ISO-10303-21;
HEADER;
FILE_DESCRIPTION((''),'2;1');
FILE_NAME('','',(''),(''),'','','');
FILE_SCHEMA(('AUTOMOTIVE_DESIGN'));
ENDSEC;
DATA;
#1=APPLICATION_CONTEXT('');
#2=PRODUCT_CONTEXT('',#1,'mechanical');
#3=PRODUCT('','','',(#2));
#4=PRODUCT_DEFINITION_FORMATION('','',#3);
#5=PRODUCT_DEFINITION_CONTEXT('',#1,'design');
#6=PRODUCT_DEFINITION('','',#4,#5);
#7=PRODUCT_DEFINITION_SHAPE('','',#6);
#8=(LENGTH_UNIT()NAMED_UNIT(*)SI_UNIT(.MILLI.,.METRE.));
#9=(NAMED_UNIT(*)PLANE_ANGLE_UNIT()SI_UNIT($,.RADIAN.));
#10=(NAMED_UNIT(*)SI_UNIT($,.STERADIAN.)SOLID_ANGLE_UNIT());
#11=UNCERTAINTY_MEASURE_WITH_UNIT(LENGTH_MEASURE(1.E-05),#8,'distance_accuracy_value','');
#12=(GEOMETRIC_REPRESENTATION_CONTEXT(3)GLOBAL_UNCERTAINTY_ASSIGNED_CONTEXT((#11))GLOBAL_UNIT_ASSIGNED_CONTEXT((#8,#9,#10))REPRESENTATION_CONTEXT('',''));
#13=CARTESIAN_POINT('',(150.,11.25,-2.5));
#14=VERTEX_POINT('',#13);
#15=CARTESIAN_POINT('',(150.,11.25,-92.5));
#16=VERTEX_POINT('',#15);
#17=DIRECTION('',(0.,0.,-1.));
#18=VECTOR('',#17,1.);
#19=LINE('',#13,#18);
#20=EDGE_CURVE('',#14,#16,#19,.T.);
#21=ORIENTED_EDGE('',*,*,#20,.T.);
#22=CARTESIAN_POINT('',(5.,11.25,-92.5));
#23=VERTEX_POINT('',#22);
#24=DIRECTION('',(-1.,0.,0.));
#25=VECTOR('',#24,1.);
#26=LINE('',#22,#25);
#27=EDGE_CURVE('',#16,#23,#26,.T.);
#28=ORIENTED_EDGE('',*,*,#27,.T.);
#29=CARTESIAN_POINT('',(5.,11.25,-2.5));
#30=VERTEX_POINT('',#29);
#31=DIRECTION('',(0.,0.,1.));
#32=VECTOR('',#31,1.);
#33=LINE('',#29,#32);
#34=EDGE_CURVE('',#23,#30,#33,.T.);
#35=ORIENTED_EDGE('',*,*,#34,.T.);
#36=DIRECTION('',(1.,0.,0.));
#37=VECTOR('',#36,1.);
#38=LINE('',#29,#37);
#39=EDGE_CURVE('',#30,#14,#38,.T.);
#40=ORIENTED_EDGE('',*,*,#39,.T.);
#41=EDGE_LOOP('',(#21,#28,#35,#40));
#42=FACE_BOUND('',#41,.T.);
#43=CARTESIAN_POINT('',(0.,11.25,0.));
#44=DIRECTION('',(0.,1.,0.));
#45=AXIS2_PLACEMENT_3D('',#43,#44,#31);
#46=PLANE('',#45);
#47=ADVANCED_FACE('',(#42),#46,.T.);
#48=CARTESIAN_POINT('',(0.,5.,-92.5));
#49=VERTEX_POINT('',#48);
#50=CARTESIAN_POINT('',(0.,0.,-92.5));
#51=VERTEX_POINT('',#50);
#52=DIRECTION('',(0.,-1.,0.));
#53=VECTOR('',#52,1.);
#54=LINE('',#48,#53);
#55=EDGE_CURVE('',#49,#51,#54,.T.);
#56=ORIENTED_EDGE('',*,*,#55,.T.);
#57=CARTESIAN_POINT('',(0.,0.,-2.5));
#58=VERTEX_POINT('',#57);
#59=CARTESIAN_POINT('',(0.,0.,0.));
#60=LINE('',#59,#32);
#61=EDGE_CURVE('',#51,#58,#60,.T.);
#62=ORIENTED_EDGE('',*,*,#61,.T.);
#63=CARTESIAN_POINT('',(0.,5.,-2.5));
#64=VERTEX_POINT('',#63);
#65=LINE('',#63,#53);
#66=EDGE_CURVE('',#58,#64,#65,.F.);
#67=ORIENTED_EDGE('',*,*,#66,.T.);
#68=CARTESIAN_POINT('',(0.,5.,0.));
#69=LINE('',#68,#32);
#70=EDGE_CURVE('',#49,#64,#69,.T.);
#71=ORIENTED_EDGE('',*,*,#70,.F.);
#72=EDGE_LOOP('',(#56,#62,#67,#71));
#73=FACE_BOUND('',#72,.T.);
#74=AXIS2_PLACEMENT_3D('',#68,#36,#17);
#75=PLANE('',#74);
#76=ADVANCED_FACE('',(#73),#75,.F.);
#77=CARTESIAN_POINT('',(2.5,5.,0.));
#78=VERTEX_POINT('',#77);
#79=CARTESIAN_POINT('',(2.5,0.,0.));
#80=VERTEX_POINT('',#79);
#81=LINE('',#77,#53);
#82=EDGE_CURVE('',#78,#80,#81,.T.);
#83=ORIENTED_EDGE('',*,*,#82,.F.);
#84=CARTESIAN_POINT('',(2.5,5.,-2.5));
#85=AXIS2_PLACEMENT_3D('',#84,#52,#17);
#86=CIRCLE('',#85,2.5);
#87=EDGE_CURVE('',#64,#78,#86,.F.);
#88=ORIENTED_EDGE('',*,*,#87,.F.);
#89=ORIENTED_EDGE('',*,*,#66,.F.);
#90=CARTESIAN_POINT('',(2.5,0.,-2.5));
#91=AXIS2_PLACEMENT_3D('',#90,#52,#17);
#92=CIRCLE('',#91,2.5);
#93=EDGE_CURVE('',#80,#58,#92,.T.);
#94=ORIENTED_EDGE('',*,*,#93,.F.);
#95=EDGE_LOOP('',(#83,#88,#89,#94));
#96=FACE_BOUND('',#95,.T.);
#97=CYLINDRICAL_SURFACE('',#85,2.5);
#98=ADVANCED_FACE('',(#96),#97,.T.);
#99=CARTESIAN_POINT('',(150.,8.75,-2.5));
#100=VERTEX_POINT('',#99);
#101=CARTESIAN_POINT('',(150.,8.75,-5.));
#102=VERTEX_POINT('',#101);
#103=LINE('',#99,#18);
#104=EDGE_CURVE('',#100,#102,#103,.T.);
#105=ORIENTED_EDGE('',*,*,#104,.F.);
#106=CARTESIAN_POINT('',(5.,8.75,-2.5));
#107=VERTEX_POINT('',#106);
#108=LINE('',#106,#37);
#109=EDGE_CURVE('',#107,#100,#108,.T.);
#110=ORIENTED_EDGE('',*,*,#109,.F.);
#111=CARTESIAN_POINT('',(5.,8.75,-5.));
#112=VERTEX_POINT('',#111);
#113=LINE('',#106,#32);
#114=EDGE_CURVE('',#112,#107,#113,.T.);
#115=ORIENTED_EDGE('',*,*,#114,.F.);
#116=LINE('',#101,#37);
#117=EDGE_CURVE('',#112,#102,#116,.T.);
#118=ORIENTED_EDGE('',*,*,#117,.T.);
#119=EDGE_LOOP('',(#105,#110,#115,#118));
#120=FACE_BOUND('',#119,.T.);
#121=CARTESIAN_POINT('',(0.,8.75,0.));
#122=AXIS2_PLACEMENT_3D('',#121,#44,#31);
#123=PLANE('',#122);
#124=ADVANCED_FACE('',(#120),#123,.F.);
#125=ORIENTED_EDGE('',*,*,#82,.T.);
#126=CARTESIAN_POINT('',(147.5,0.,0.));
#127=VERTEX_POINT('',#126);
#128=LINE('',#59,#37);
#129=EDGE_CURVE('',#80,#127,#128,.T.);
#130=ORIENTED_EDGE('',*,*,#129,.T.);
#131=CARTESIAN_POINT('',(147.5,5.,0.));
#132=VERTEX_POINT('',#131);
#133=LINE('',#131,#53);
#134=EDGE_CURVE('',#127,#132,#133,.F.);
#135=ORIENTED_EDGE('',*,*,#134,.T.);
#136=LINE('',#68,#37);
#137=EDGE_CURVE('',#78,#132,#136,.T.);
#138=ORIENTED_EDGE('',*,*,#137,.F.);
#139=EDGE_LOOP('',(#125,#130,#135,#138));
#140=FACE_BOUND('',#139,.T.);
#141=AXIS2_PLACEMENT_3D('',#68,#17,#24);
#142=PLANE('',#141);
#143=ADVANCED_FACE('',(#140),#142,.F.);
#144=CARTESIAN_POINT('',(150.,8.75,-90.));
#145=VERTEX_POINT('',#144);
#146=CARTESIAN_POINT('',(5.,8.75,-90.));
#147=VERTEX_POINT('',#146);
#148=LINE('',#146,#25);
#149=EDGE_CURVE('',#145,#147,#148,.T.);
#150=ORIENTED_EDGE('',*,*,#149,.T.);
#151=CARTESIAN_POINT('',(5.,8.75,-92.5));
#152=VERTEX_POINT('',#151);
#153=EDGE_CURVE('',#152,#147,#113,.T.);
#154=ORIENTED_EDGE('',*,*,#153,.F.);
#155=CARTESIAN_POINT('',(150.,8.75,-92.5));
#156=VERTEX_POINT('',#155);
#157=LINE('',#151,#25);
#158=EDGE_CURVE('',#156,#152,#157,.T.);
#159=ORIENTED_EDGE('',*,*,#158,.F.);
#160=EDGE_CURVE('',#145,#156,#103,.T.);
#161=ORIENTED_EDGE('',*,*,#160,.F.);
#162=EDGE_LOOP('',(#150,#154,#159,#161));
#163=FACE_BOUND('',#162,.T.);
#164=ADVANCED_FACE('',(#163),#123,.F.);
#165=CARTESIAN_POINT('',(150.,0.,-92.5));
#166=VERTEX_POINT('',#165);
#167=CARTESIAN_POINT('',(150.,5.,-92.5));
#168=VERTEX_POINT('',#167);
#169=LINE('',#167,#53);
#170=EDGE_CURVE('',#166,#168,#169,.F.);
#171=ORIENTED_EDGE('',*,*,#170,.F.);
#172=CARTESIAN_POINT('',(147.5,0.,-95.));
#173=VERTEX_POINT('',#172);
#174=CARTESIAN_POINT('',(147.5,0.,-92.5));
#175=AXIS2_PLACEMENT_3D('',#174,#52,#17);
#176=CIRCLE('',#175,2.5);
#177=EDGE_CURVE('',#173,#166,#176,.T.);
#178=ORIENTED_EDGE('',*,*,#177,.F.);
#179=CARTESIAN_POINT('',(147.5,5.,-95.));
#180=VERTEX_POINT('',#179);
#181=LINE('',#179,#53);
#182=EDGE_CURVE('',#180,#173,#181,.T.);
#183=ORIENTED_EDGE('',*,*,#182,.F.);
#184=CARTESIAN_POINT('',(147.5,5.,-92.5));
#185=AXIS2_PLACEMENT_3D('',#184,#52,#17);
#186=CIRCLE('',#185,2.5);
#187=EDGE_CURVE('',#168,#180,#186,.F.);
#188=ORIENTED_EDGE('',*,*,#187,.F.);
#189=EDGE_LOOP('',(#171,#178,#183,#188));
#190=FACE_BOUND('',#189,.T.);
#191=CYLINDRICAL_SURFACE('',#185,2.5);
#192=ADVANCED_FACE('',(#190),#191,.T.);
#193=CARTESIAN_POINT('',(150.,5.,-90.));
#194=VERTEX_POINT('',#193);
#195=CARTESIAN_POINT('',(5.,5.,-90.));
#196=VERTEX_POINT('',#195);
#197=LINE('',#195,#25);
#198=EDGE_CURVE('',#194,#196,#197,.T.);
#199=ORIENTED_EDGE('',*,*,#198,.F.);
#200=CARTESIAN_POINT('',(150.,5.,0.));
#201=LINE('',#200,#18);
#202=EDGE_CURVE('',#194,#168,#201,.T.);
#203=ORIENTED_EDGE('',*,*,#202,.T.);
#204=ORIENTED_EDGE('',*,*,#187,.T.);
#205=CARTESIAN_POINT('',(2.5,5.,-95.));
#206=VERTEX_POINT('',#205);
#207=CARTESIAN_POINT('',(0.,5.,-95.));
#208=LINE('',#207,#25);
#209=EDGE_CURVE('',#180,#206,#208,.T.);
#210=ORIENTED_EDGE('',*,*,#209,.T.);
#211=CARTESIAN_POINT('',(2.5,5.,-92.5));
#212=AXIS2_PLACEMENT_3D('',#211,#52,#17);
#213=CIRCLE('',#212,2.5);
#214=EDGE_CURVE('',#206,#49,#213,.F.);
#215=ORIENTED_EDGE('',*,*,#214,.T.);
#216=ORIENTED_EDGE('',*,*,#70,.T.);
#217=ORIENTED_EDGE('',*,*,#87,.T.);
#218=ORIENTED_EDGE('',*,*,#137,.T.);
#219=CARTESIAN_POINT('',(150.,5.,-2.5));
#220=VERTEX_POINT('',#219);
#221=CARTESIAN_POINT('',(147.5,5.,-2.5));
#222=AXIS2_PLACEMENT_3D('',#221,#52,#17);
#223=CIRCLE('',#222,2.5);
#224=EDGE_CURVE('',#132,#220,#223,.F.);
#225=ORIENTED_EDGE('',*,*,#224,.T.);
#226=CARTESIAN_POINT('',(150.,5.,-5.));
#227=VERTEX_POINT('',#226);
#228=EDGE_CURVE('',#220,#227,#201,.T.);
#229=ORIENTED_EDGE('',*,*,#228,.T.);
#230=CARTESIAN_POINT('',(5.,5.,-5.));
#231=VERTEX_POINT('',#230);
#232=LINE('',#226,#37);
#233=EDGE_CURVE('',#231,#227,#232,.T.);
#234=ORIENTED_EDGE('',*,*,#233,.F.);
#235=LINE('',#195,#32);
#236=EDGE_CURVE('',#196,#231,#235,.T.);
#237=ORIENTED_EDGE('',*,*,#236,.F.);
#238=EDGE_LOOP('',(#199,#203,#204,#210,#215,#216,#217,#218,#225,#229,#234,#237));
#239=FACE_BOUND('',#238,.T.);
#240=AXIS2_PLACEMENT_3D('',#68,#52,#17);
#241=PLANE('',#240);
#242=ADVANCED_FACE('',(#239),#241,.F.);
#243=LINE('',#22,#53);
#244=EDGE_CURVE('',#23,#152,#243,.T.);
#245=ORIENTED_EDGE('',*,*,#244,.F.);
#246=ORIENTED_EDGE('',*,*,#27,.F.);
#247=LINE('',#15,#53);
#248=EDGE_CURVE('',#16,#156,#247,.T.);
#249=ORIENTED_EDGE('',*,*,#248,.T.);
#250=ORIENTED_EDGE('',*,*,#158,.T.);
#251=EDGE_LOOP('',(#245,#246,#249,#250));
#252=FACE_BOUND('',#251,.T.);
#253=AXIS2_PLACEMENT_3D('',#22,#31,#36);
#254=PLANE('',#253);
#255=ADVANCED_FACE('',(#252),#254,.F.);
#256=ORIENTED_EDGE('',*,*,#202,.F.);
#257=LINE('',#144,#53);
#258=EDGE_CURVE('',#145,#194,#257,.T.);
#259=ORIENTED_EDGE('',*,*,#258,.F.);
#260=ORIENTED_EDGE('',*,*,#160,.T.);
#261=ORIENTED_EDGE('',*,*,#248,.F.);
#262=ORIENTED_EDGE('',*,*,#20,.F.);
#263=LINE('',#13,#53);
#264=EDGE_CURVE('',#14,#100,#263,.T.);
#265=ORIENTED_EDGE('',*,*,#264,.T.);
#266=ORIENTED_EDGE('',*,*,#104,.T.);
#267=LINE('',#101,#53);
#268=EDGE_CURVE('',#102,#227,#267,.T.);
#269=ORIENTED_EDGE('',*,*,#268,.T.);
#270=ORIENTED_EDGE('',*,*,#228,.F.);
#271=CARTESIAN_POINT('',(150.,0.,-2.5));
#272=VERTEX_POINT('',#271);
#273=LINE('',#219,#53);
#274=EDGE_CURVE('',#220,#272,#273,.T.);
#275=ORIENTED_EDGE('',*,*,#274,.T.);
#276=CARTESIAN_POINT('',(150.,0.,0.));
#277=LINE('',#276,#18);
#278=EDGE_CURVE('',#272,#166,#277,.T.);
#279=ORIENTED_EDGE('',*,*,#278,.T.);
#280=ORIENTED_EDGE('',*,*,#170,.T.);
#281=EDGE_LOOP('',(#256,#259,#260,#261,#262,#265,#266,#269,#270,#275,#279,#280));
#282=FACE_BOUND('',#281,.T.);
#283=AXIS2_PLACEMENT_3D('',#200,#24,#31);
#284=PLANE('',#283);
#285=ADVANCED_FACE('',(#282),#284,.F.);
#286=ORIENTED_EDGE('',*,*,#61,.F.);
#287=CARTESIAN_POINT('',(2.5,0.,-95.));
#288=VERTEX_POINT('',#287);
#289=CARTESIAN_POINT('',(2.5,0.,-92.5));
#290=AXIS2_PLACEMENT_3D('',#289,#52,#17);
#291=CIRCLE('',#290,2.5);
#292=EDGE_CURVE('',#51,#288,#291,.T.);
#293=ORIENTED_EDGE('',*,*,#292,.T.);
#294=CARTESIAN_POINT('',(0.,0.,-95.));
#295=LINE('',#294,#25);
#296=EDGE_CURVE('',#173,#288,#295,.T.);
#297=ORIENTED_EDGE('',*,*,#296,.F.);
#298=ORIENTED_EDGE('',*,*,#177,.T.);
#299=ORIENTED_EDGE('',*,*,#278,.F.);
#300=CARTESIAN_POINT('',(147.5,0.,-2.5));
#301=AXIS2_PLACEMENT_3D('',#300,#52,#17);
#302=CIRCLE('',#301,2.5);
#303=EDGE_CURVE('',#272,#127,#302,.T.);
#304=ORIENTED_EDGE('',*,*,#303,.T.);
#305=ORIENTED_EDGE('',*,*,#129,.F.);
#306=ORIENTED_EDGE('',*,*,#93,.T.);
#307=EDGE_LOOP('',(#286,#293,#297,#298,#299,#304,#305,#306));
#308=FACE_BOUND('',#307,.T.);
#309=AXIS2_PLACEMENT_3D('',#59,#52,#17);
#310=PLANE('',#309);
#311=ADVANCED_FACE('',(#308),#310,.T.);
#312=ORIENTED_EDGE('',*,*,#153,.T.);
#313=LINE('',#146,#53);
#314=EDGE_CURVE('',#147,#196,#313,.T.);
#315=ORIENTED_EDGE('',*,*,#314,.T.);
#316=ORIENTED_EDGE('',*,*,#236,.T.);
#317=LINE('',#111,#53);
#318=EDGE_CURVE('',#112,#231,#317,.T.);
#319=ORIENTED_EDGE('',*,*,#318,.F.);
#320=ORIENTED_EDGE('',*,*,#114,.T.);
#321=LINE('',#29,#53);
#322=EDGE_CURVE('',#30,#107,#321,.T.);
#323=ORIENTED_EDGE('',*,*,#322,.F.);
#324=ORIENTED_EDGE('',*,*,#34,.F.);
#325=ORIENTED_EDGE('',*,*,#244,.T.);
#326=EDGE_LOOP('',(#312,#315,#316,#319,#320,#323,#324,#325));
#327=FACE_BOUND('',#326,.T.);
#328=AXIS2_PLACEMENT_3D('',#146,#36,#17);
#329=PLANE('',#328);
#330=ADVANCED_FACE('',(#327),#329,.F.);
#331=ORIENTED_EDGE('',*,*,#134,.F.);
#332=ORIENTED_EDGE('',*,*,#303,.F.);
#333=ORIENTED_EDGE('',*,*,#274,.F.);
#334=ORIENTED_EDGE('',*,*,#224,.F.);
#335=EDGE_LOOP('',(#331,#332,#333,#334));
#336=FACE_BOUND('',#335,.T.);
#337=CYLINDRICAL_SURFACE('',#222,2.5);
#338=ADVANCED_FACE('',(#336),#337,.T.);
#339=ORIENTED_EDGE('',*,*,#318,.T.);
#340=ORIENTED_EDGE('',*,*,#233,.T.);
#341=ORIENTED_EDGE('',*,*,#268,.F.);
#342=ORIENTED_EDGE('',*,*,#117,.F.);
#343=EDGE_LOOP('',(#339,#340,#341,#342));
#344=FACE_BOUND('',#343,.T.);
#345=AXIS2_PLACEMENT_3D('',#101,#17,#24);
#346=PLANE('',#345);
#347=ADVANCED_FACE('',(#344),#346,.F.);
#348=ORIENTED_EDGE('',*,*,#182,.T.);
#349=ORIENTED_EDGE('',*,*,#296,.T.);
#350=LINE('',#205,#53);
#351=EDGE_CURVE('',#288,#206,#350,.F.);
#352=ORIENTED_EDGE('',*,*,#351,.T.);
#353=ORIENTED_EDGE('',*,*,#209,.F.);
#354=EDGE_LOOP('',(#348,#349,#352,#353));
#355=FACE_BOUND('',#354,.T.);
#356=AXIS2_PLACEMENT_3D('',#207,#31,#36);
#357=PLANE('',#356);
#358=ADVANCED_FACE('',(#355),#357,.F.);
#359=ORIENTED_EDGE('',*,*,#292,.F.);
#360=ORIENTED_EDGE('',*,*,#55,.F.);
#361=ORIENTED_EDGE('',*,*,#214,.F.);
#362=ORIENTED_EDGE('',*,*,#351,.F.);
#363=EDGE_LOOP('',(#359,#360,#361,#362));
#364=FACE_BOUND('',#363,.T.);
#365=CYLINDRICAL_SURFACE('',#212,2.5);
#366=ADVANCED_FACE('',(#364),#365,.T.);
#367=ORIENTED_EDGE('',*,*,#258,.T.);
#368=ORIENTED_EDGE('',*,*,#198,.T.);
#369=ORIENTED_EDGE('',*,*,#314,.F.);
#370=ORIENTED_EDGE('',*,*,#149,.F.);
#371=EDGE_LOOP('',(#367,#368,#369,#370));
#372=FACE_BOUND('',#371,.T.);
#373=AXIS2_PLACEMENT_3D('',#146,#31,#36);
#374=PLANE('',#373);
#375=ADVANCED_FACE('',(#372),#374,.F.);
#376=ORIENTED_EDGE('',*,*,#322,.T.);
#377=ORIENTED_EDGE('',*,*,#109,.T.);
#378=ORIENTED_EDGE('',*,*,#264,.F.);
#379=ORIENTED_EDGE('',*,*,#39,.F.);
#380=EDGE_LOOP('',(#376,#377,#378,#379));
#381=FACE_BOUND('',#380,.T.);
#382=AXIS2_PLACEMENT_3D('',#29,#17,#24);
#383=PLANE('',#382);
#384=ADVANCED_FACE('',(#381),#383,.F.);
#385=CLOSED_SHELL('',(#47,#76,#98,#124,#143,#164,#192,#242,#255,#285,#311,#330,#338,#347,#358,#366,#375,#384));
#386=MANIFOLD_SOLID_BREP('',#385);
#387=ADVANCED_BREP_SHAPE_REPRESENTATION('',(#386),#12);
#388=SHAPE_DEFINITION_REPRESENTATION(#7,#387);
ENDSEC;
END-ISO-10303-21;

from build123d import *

# Parameters (mm, degrees)
SKETCH1_W           = 150
SKETCH1_H           = 95
BOSS_EXTRUDE1_DEPTH = 5
SKETCH2_W           = 145
SKETCH2_H           = 85
BOSS_EXTRUDE2_DEPTH = 3.75
SKETCH3_W           = 145
SKETCH3_H           = 90
BOSS_EXTRUDE3_DEPTH = 2.5
FILLET2_R           = 2.5


with BuildPart() as part:
    # Sketch1 → Boss-Extrude1 (new body)
    with BuildSketch(Plane(origin=(0, 0, 0), x_dir=(1, 0, 0), z_dir=(0, 1, 0))):
        with Locations((75, 47.5)):
            Rectangle(SKETCH1_W, SKETCH1_H)
    extrude(amount=BOSS_EXTRUDE1_DEPTH)

    # Sketch2 → Boss-Extrude2 (add)
    with BuildSketch(Plane(origin=(0, 5, 0), x_dir=(1, 0, 0), z_dir=(0, 1, 0))):
        with Locations((77.5, 47.5)):
            Rectangle(SKETCH2_W, SKETCH2_H)
    extrude(amount=BOSS_EXTRUDE2_DEPTH)

    # Sketch3 → Boss-Extrude3 (add)
    with BuildSketch(Plane(origin=(0, 8.75, 0), x_dir=(1, 0, 0), z_dir=(0, 1, 0))):
        with Locations((77.5, 47.5)):
            Rectangle(SKETCH3_W, SKETCH3_H)
    extrude(amount=BOSS_EXTRUDE3_DEPTH)

    # Fillet2
    fillet2_edges = [part.edges().sort_by_distance(p)[0] for p in [
        (0, 2.5, -95),
        (150, 2.5, -95),
        (150, 2.5, 0),
        (0, 2.5, 0),
    ]]
    fillet(fillet2_edges, radius=FILLET2_R)


solid = part.part
